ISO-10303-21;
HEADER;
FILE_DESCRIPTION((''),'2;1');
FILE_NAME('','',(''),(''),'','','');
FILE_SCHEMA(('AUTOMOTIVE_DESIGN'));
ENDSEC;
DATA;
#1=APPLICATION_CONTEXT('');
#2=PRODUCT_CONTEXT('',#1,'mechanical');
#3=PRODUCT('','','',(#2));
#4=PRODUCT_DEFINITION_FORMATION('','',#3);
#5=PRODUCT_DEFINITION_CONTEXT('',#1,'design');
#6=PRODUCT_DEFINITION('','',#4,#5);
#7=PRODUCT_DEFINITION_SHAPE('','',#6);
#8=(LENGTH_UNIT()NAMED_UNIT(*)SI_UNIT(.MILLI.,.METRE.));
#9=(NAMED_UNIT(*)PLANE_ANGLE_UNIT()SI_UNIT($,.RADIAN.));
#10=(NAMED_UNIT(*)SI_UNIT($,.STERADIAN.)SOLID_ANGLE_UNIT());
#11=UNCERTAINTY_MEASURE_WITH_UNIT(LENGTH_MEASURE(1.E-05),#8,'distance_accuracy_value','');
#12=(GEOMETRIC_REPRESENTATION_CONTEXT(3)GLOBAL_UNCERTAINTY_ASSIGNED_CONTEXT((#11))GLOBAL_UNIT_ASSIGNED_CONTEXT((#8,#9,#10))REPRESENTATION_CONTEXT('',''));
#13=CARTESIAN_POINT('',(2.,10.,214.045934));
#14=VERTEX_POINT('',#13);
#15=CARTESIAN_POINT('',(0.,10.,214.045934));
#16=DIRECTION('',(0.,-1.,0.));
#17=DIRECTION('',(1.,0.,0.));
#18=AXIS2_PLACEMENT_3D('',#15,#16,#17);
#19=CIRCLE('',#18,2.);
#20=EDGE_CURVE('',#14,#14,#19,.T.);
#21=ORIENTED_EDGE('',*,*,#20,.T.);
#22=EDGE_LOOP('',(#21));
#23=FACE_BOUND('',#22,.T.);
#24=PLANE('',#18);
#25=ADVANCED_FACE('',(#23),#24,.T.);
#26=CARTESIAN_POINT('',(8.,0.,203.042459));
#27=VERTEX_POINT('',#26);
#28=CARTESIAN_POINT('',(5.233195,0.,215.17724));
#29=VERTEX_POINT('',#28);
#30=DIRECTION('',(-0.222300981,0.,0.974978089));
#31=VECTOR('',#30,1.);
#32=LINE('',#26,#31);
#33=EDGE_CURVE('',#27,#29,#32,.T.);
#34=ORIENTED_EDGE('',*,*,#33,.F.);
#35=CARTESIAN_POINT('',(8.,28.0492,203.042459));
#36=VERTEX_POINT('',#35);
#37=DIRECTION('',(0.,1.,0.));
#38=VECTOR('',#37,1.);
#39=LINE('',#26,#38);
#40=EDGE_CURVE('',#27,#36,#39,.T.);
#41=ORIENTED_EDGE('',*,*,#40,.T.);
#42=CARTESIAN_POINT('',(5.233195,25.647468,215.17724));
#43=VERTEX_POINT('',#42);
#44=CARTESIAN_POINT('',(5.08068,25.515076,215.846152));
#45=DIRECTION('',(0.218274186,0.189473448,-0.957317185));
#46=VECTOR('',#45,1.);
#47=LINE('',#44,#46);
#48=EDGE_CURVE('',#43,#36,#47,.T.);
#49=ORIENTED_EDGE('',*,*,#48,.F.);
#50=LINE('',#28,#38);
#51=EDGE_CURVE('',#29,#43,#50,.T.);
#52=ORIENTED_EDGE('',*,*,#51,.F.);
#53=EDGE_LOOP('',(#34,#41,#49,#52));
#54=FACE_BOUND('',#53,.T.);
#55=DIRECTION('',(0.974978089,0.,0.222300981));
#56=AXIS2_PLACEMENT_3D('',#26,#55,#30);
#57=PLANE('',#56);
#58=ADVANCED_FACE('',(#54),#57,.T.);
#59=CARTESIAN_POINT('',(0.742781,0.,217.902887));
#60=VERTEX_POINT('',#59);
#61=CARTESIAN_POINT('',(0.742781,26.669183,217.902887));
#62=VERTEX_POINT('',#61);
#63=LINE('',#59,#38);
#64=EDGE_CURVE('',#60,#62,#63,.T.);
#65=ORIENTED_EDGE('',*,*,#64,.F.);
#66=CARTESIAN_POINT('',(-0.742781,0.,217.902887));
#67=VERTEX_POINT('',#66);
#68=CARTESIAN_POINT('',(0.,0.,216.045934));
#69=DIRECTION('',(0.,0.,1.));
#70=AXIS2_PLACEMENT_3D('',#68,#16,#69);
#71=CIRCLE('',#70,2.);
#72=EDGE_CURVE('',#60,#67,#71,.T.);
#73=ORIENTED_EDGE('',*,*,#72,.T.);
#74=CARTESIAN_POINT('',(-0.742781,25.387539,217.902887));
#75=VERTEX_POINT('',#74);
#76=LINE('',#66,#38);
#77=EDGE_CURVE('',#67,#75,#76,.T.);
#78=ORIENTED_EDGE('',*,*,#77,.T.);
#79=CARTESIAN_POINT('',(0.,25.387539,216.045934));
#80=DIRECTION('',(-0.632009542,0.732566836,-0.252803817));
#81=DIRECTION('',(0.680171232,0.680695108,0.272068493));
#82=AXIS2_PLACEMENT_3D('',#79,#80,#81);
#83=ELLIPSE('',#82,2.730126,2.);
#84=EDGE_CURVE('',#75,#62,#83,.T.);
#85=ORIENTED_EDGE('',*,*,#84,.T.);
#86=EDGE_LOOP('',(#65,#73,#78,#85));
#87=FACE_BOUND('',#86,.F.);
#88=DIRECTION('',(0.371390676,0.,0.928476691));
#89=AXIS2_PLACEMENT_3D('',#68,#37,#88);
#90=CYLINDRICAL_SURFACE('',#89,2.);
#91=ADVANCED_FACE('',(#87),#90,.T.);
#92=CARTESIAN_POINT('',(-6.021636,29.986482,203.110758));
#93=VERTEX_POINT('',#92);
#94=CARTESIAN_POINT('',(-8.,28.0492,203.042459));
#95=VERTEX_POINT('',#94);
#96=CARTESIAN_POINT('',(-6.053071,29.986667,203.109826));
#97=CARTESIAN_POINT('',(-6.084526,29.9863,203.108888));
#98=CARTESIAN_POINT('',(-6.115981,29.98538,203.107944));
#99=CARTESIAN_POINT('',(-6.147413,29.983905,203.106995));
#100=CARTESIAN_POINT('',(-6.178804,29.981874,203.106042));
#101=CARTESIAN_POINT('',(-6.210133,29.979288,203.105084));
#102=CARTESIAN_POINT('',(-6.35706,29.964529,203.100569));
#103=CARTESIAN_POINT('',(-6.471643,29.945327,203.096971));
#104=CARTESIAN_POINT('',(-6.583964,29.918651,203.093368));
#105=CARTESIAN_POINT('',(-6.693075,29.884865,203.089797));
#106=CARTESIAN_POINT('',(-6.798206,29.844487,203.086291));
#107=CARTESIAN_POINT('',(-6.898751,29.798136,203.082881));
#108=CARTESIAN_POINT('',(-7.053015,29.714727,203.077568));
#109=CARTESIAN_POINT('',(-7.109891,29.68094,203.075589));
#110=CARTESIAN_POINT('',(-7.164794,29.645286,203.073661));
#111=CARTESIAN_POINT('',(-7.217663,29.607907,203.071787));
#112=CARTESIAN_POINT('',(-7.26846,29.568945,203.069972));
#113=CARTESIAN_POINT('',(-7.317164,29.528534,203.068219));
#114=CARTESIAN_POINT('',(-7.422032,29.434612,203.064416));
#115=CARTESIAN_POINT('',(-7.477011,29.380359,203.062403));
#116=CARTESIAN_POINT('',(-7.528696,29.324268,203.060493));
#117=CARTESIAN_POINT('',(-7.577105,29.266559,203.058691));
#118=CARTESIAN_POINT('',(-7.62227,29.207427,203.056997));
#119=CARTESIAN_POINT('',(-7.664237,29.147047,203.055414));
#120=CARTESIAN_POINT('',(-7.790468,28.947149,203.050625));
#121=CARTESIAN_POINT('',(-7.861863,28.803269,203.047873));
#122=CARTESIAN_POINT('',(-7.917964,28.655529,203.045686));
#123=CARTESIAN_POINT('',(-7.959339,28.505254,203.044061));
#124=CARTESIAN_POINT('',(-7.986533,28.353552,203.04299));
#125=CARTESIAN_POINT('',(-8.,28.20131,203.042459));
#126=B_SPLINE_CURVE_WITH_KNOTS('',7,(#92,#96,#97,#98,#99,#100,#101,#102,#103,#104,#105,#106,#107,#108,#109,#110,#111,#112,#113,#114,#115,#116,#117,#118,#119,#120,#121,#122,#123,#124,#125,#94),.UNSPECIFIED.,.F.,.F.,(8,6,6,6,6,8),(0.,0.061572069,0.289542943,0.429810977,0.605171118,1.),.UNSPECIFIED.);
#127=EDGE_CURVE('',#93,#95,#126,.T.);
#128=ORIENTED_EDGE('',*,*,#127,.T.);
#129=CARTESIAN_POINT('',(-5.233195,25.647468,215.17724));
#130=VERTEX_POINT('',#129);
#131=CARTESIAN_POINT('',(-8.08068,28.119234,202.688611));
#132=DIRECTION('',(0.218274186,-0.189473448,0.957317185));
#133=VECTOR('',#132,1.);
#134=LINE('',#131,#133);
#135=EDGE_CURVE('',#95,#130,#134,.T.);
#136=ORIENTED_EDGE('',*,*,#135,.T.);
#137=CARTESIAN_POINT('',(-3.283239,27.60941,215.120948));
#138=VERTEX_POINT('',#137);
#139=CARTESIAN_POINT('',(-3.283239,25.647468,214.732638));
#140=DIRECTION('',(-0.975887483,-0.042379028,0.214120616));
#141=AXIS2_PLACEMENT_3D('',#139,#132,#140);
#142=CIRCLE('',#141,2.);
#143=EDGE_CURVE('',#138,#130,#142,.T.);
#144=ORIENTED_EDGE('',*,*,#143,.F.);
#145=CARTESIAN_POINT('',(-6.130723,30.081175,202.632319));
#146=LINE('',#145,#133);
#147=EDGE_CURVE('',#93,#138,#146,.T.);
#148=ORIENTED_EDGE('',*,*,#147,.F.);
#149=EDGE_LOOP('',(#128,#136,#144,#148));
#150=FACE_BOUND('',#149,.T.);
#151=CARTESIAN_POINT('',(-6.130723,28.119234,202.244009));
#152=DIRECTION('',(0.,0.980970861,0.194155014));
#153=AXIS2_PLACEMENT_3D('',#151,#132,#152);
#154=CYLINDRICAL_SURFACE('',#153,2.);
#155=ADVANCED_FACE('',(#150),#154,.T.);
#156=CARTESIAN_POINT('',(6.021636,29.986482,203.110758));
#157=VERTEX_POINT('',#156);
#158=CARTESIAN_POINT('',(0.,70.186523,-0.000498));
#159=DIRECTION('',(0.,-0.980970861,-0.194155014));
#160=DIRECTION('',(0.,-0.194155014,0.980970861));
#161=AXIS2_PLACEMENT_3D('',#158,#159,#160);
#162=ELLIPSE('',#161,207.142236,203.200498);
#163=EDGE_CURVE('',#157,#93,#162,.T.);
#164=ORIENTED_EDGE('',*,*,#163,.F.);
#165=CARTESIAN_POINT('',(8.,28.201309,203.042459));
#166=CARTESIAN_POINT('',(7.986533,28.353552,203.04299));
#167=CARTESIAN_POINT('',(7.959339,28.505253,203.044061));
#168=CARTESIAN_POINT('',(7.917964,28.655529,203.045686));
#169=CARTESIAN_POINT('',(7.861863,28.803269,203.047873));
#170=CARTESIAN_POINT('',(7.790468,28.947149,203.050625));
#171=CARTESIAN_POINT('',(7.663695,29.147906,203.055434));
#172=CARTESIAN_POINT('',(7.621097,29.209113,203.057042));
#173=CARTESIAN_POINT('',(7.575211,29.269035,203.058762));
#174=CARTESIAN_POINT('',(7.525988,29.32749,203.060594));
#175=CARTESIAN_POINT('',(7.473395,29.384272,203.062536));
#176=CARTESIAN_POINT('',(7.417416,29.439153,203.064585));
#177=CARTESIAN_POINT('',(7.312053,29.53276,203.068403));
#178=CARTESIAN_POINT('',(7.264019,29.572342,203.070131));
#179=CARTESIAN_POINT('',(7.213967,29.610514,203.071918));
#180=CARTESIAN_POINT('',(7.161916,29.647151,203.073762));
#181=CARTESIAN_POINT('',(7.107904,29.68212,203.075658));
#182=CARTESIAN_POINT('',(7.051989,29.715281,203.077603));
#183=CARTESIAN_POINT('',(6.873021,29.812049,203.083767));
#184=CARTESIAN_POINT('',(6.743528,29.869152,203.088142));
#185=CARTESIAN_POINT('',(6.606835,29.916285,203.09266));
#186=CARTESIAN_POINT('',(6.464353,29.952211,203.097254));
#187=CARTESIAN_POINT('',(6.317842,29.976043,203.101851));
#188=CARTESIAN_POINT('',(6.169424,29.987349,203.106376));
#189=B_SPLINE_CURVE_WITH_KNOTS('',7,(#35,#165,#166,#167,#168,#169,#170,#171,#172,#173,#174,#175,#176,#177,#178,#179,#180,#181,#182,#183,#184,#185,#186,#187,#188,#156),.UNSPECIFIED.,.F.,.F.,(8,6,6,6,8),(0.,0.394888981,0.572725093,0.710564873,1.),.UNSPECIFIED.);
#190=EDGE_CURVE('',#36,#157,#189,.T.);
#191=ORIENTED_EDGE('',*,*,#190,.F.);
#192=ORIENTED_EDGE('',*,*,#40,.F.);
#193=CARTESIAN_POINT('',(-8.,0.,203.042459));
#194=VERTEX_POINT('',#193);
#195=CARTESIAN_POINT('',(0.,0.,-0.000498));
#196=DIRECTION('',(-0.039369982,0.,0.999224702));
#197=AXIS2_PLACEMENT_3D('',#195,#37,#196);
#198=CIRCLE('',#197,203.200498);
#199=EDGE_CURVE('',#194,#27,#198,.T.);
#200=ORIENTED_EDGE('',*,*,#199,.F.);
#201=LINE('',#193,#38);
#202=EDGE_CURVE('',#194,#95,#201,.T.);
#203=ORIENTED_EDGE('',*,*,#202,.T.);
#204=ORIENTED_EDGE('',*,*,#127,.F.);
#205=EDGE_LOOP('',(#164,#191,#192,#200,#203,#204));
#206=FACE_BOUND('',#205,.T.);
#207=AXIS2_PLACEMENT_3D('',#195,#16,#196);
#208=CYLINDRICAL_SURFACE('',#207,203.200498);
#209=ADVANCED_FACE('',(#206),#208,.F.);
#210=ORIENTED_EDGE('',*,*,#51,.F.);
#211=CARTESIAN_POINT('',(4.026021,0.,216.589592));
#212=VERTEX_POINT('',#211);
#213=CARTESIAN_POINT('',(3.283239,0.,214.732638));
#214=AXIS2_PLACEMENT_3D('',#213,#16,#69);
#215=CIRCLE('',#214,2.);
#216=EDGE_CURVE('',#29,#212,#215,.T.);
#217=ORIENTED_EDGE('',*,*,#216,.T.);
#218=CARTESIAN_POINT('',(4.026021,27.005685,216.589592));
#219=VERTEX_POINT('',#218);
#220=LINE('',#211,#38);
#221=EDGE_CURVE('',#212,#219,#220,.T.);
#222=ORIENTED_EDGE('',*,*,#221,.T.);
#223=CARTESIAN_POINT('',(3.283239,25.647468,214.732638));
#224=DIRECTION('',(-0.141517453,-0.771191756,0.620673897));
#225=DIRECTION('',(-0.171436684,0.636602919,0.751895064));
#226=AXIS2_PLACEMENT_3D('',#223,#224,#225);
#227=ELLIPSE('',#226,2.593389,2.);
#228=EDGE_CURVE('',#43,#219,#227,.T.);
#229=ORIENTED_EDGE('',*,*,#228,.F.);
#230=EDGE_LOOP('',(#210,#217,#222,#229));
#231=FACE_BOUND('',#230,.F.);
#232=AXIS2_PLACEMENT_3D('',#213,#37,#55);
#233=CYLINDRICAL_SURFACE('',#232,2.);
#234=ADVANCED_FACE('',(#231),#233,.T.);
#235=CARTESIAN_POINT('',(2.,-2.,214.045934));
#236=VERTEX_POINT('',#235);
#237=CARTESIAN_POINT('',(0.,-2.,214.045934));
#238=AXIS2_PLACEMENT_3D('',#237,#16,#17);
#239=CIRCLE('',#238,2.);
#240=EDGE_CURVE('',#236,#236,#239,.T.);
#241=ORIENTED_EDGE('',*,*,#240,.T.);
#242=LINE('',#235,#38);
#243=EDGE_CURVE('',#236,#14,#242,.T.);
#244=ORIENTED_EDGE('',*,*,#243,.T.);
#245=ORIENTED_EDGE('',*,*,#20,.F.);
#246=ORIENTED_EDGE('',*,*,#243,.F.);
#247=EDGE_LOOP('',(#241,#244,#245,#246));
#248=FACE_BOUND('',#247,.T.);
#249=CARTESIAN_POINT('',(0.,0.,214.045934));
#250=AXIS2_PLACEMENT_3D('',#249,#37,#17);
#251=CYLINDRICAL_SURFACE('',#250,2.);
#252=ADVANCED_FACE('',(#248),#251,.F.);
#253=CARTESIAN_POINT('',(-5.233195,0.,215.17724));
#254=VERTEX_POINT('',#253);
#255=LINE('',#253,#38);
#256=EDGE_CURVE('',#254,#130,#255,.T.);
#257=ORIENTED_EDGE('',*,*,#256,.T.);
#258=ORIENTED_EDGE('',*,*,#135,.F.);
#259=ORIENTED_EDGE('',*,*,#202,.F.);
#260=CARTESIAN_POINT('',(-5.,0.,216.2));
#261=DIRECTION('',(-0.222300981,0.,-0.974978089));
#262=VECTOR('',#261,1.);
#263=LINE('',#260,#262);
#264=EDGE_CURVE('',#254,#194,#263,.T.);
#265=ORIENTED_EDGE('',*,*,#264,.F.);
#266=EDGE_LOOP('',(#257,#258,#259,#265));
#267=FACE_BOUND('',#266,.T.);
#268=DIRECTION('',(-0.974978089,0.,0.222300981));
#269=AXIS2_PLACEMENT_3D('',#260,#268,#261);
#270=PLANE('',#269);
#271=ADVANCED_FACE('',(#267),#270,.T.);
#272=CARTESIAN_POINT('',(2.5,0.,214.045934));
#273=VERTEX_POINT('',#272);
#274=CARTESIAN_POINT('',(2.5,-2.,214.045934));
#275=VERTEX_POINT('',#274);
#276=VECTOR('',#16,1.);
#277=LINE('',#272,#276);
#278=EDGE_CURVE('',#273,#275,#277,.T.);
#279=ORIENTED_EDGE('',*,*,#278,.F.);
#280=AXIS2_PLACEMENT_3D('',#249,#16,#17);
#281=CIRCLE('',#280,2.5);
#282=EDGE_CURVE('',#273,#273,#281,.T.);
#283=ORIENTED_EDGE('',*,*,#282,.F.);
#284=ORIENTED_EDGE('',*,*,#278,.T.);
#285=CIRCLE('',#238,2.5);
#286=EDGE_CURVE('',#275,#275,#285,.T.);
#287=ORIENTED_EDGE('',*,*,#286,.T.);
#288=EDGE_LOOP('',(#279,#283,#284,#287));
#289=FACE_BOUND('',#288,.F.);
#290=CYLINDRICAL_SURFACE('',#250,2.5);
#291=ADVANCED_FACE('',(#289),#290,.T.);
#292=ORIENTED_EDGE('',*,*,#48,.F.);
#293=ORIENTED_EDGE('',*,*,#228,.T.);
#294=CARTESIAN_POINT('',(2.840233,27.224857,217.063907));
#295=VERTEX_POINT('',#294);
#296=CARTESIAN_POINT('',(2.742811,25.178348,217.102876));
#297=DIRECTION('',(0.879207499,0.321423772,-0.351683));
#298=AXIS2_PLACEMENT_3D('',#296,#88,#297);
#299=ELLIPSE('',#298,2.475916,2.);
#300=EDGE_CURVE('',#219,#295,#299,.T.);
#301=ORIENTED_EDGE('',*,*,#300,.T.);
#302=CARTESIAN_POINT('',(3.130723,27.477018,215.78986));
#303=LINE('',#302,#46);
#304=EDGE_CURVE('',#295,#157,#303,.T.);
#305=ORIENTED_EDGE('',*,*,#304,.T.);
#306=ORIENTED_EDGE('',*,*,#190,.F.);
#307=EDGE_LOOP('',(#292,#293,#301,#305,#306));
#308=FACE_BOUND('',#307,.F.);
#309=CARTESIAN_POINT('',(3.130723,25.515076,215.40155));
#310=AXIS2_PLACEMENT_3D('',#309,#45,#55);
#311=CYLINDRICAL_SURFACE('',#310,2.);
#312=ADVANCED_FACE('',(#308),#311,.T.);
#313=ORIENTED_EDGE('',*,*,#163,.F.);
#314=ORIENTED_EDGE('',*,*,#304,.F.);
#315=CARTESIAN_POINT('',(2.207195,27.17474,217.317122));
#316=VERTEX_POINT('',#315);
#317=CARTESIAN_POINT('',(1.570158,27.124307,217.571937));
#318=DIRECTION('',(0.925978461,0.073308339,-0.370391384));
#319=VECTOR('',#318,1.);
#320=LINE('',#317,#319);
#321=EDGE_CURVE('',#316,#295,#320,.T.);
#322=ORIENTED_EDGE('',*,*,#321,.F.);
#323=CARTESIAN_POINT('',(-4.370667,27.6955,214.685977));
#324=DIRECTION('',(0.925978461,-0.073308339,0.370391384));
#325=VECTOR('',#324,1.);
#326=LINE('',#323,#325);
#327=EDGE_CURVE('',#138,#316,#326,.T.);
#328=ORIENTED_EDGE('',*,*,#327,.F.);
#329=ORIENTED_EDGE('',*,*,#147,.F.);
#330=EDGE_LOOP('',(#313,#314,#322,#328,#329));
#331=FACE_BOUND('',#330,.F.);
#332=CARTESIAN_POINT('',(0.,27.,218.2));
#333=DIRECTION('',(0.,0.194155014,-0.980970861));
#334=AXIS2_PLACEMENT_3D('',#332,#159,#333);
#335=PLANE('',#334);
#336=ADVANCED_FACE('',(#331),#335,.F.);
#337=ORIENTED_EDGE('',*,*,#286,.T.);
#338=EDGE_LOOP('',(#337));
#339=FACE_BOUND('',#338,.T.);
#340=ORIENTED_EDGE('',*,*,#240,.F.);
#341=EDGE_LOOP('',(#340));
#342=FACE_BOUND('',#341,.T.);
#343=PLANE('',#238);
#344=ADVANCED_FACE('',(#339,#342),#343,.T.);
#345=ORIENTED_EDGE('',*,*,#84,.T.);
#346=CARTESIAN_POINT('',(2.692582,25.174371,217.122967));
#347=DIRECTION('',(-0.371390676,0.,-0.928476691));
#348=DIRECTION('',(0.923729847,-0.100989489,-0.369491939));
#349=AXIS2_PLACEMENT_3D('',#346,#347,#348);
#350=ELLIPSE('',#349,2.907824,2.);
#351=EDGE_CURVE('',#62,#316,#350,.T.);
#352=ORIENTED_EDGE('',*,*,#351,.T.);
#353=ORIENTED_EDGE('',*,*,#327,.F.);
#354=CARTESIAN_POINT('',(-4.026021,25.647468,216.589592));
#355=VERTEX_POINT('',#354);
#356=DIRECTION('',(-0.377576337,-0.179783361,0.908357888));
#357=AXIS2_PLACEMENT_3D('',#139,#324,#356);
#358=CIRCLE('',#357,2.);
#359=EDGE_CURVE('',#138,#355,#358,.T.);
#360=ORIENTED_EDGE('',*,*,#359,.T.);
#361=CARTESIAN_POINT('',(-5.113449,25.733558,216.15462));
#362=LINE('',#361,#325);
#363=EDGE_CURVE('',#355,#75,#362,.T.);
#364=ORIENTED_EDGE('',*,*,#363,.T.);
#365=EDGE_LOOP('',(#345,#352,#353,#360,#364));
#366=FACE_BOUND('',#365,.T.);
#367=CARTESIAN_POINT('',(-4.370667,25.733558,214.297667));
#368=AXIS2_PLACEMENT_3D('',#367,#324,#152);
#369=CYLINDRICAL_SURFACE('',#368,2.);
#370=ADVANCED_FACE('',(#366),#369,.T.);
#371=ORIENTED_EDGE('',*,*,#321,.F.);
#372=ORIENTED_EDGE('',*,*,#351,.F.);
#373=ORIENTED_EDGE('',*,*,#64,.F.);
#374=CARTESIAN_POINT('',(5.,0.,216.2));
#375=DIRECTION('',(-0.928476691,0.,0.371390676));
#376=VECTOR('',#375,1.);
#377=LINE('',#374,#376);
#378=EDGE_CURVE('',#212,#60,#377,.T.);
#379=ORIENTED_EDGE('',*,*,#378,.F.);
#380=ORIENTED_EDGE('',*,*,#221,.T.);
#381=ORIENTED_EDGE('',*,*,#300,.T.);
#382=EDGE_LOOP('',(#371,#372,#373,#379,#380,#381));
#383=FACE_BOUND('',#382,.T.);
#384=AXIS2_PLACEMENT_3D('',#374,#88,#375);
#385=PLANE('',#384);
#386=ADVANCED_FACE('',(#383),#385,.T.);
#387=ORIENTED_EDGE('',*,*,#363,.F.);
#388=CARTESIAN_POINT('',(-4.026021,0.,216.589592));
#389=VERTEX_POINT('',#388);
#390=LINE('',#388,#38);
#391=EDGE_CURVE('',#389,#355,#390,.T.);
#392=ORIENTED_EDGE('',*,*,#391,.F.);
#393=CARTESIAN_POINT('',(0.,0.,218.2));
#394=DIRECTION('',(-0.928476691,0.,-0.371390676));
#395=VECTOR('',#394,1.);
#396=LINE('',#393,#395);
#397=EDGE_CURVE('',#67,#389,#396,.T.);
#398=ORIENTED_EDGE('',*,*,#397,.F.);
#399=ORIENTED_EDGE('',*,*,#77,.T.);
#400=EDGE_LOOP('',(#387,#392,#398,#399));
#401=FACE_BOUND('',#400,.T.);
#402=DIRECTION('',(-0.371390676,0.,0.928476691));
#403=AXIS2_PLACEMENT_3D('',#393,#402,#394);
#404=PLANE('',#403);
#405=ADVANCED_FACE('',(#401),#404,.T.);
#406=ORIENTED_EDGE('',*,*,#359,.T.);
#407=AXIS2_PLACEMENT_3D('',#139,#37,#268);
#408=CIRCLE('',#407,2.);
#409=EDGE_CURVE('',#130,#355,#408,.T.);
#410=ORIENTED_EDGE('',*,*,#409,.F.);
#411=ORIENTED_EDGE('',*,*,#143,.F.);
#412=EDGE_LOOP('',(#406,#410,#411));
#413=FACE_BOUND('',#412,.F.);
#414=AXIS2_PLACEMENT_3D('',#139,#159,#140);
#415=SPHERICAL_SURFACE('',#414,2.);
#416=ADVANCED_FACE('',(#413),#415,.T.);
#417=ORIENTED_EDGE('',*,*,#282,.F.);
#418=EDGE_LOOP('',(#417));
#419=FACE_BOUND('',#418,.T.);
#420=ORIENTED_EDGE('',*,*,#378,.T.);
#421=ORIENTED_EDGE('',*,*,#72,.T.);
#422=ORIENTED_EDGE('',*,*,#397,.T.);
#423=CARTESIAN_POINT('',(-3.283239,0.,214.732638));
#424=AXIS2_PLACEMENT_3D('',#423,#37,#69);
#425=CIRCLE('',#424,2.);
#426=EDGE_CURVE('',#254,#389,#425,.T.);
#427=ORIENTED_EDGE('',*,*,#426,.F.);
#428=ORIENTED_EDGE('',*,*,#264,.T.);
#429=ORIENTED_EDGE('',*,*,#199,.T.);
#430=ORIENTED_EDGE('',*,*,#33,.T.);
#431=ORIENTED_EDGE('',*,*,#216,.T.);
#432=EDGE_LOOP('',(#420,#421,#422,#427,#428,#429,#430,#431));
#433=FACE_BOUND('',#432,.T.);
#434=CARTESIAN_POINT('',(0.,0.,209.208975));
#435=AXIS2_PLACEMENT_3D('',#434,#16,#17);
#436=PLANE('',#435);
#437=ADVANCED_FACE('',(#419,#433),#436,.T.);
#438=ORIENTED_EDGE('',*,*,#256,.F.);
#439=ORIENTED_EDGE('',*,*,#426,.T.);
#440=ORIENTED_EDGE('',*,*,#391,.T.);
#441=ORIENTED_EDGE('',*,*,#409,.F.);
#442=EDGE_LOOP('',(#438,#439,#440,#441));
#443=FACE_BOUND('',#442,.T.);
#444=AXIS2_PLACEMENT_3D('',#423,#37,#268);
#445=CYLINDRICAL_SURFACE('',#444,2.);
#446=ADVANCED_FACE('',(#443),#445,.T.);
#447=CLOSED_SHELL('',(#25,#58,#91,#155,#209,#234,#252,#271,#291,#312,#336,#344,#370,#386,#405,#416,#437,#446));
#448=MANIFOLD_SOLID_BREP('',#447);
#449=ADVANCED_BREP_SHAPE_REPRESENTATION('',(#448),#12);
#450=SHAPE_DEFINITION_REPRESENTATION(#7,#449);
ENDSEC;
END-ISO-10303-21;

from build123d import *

# Parameters (mm, degrees)
F1_DEPTH = 30
F3_DEPTH = 12.5
F4_R     = 2
F5_R     = 2
F6_DEPTH = 10
F7_R     = 2.5
F7_R_2   = 2
F8_DEPTH = 2


with BuildPart() as f1:
    # F0 (on Front) → F1 (new body)
    with BuildSketch(Plane.XZ):
        with BuildLine():
            ThreePointArc((-8, 203.042459), (0, 203.2), (8, 203.042459))
            Line((8, 203.042459), (5, 216.2))
            Line((5, 216.2), (0, 218.2))
            Line((0, 218.2), (-5, 216.2))
            Line((-5, 216.2), (-8, 203.042459))
        make_face()
    extrude(amount=-F1_DEPTH)

    # F2 (on Right) → F3 (cut, symmetric)
    with BuildSketch(Plane.YZ):
        Polygon((30, 203.042459), (30, 218.2), (27, 218.2), align=None)
    extrude(amount=F3_DEPTH, both=True, mode=Mode.SUBTRACT)

    # F4
    f4_edges = [f1.edges().sort_by_distance(p)[0] for p in [
        (5, 13.697921, 216.2),
        (0, 13.5, 218.2),
        (-5, 13.697921, 216.2),
        (-6.5, 28.697921, 209.621229),
        (-2.5, 27.197921, 217.2),
        (6.5, 28.697921, 209.621229),
    ]]
    fillet(f4_edges, radius=F4_R)

    # F5 (on face) → F6 (cut)
    with BuildSketch(Plane.XZ):
        with Locations((0, 214.045934)):
            Circle(F5_R)
    extrude(amount=-F6_DEPTH, mode=Mode.SUBTRACT)

    # F7 (on face) → F8 (join)
    with BuildSketch(Plane.XZ):
        with Locations((0, 214.045934)):
            Circle(F7_R)
        with Locations((0, 214.045934)):
            Circle(F7_R_2, mode=Mode.SUBTRACT)
    extrude(amount=F8_DEPTH)


solid = f1.part
